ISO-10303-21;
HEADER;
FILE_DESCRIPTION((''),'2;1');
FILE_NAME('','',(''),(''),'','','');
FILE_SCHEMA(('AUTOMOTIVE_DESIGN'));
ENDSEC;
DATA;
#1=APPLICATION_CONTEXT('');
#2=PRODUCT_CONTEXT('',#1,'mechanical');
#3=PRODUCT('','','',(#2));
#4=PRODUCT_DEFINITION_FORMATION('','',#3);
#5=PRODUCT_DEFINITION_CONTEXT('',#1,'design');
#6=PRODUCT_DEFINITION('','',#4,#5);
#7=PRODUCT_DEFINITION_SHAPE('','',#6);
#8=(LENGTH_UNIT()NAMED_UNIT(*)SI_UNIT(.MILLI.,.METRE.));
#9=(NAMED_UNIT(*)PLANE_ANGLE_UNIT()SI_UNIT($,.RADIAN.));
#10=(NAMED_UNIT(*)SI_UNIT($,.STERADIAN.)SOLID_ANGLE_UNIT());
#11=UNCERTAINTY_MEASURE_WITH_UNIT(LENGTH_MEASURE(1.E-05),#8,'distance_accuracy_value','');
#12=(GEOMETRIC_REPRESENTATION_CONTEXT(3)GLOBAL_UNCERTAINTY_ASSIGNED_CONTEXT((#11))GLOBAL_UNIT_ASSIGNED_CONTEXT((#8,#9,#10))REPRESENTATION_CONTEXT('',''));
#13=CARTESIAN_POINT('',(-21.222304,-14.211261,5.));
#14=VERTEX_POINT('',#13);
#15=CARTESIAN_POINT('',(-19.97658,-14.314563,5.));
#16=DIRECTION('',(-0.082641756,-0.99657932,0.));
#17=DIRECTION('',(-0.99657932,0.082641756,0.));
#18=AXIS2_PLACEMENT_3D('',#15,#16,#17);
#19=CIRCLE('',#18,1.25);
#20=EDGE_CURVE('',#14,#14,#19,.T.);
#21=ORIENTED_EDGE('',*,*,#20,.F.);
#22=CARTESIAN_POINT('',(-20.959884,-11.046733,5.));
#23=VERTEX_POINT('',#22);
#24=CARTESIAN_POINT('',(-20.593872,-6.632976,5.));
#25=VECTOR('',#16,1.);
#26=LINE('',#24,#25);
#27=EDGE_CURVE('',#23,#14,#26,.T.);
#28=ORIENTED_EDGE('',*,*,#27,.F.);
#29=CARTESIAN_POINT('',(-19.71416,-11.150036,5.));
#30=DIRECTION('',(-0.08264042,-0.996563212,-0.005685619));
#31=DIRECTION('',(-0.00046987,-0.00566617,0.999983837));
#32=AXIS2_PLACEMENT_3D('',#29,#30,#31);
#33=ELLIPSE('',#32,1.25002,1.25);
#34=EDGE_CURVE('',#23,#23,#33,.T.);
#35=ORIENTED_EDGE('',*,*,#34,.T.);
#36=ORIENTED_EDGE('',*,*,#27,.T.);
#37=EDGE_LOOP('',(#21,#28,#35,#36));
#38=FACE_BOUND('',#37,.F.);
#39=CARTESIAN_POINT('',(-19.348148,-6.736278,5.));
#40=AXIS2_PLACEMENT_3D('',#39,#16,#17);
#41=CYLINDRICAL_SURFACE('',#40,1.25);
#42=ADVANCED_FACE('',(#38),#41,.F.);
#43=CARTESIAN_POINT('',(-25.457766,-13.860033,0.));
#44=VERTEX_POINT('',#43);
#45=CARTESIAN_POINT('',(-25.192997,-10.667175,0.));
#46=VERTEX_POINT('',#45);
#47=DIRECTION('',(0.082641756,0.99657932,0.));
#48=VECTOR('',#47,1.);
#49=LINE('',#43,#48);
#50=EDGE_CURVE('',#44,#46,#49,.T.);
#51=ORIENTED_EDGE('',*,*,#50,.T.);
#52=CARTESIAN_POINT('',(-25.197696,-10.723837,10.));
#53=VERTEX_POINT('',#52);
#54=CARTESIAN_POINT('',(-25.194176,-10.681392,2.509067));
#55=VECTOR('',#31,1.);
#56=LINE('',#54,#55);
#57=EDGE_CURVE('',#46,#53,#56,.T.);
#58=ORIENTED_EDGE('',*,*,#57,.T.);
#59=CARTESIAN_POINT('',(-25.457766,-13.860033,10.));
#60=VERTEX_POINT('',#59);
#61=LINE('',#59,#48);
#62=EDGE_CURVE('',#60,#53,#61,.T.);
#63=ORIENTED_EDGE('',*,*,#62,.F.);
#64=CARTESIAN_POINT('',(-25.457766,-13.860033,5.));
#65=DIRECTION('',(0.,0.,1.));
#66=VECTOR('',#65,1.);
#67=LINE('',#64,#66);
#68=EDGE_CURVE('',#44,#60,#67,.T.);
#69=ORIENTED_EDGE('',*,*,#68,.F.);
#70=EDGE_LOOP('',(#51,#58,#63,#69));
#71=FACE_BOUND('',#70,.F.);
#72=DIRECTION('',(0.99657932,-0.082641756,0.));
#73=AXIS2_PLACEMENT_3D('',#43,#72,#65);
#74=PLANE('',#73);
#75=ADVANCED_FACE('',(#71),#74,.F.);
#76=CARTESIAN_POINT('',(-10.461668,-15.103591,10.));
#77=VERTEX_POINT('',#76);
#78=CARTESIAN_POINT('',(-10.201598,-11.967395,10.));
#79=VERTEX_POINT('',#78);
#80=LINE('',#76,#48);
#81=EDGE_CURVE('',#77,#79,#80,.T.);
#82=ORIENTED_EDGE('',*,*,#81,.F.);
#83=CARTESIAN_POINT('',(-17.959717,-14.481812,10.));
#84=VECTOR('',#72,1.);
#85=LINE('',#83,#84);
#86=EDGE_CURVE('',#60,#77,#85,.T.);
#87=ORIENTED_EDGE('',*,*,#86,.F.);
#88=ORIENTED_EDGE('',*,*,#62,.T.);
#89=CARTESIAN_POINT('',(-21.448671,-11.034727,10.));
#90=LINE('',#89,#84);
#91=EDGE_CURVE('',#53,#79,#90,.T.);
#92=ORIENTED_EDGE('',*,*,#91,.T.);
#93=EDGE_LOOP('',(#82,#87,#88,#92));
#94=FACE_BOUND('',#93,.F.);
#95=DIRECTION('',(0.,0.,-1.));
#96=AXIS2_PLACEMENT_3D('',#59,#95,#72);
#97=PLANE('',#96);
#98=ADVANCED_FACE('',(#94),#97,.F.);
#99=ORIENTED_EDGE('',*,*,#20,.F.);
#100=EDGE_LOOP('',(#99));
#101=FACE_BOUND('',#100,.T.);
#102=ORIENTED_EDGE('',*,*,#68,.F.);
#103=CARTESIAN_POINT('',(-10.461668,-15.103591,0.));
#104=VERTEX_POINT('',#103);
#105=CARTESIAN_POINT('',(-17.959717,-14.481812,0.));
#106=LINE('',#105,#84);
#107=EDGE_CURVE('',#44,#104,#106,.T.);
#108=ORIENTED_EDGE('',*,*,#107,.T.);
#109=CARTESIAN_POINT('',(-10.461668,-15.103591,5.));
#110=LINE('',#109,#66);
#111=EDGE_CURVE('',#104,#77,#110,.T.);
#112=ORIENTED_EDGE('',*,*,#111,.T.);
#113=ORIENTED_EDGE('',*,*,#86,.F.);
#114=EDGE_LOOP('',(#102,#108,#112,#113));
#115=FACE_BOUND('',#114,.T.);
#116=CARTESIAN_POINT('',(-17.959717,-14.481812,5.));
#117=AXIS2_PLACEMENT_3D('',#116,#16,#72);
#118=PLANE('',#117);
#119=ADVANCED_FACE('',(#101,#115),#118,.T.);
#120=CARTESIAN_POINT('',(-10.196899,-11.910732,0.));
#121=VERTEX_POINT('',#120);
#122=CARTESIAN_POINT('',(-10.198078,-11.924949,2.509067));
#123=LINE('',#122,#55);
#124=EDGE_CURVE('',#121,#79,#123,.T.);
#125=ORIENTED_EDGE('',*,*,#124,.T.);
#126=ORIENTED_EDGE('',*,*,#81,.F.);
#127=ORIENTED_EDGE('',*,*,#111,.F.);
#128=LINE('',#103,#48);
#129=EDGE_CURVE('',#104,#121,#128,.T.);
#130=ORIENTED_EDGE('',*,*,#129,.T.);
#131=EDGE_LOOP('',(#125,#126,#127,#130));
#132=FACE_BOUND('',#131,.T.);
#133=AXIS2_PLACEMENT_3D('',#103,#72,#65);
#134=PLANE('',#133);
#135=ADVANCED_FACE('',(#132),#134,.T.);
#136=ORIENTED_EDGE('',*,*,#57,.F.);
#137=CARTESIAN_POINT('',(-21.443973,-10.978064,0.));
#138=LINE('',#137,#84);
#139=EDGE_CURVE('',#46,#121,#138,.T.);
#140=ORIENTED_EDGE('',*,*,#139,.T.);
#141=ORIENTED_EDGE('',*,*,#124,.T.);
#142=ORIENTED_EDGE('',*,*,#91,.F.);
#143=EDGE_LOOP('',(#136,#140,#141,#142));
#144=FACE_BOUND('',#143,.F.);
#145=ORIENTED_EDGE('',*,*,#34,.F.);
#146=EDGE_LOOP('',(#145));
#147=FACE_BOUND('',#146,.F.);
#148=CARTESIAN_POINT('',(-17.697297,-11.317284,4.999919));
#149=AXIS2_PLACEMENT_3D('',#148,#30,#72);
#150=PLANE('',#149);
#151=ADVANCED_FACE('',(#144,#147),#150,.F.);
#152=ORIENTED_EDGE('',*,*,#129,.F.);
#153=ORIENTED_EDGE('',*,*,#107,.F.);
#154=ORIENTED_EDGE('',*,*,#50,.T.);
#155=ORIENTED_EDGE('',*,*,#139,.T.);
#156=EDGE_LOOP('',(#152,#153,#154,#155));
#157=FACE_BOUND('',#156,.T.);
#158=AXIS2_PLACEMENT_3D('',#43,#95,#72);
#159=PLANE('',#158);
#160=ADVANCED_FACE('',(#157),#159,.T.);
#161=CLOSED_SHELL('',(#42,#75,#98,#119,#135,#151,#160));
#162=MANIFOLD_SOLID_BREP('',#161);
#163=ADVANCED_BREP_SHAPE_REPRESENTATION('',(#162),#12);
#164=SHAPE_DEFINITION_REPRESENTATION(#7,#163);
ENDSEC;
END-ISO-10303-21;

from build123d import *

# Parameters (mm, degrees)
SKETCH1_W                 = 15.047570974
SKETCH1_H                 = 10
BOSS_EXTRUDE1_DEPTH       = 3.203817716
DRAFT1_ANGLE              = -0.325763712
F_2_CLEARANCE_HOLE1_D     = 2.5
F_2_CLEARANCE_HOLE1_DEPTH = 4.421800182


with BuildPart() as part:
    # Sketch1 → Boss-Extrude1 (new body)
    with BuildSketch(Plane(origin=(-1.315367261, -15.86205167, 0), x_dir=(0.99657932, -0.082641756, 0), z_dir=(-0.082641756, -0.99657932, 0))):
        with Locations((-16.701480395, 5)):
            Rectangle(SKETCH1_W, SKETCH1_H)
    extrude(amount=-BOSS_EXTRUDE1_DEPTH)

    # Draft1
    draft1_faces = [part.faces().sort_by_distance(p)[0] for p in [
        (-17.694948105, -11.288953517, 5),
    ]]
    draft(draft1_faces, Plane(origin=(-25.192997126, -10.66717467, 0), x_dir=(-1, 0, 0), z_dir=(0, 0, -1)), DRAFT1_ANGLE)

    # #2 Clearance Hole1
    with Locations(Plane(origin=(-1.052360177, -12.690441673, 0), x_dir=(0.99657932, -0.082641756, 0), z_dir=(0.082641756, 0.99657932, 0))):
        with Locations((-18.725265882, -5)):
            Hole(F_2_CLEARANCE_HOLE1_D / 2, depth=F_2_CLEARANCE_HOLE1_DEPTH)


solid = part.part
